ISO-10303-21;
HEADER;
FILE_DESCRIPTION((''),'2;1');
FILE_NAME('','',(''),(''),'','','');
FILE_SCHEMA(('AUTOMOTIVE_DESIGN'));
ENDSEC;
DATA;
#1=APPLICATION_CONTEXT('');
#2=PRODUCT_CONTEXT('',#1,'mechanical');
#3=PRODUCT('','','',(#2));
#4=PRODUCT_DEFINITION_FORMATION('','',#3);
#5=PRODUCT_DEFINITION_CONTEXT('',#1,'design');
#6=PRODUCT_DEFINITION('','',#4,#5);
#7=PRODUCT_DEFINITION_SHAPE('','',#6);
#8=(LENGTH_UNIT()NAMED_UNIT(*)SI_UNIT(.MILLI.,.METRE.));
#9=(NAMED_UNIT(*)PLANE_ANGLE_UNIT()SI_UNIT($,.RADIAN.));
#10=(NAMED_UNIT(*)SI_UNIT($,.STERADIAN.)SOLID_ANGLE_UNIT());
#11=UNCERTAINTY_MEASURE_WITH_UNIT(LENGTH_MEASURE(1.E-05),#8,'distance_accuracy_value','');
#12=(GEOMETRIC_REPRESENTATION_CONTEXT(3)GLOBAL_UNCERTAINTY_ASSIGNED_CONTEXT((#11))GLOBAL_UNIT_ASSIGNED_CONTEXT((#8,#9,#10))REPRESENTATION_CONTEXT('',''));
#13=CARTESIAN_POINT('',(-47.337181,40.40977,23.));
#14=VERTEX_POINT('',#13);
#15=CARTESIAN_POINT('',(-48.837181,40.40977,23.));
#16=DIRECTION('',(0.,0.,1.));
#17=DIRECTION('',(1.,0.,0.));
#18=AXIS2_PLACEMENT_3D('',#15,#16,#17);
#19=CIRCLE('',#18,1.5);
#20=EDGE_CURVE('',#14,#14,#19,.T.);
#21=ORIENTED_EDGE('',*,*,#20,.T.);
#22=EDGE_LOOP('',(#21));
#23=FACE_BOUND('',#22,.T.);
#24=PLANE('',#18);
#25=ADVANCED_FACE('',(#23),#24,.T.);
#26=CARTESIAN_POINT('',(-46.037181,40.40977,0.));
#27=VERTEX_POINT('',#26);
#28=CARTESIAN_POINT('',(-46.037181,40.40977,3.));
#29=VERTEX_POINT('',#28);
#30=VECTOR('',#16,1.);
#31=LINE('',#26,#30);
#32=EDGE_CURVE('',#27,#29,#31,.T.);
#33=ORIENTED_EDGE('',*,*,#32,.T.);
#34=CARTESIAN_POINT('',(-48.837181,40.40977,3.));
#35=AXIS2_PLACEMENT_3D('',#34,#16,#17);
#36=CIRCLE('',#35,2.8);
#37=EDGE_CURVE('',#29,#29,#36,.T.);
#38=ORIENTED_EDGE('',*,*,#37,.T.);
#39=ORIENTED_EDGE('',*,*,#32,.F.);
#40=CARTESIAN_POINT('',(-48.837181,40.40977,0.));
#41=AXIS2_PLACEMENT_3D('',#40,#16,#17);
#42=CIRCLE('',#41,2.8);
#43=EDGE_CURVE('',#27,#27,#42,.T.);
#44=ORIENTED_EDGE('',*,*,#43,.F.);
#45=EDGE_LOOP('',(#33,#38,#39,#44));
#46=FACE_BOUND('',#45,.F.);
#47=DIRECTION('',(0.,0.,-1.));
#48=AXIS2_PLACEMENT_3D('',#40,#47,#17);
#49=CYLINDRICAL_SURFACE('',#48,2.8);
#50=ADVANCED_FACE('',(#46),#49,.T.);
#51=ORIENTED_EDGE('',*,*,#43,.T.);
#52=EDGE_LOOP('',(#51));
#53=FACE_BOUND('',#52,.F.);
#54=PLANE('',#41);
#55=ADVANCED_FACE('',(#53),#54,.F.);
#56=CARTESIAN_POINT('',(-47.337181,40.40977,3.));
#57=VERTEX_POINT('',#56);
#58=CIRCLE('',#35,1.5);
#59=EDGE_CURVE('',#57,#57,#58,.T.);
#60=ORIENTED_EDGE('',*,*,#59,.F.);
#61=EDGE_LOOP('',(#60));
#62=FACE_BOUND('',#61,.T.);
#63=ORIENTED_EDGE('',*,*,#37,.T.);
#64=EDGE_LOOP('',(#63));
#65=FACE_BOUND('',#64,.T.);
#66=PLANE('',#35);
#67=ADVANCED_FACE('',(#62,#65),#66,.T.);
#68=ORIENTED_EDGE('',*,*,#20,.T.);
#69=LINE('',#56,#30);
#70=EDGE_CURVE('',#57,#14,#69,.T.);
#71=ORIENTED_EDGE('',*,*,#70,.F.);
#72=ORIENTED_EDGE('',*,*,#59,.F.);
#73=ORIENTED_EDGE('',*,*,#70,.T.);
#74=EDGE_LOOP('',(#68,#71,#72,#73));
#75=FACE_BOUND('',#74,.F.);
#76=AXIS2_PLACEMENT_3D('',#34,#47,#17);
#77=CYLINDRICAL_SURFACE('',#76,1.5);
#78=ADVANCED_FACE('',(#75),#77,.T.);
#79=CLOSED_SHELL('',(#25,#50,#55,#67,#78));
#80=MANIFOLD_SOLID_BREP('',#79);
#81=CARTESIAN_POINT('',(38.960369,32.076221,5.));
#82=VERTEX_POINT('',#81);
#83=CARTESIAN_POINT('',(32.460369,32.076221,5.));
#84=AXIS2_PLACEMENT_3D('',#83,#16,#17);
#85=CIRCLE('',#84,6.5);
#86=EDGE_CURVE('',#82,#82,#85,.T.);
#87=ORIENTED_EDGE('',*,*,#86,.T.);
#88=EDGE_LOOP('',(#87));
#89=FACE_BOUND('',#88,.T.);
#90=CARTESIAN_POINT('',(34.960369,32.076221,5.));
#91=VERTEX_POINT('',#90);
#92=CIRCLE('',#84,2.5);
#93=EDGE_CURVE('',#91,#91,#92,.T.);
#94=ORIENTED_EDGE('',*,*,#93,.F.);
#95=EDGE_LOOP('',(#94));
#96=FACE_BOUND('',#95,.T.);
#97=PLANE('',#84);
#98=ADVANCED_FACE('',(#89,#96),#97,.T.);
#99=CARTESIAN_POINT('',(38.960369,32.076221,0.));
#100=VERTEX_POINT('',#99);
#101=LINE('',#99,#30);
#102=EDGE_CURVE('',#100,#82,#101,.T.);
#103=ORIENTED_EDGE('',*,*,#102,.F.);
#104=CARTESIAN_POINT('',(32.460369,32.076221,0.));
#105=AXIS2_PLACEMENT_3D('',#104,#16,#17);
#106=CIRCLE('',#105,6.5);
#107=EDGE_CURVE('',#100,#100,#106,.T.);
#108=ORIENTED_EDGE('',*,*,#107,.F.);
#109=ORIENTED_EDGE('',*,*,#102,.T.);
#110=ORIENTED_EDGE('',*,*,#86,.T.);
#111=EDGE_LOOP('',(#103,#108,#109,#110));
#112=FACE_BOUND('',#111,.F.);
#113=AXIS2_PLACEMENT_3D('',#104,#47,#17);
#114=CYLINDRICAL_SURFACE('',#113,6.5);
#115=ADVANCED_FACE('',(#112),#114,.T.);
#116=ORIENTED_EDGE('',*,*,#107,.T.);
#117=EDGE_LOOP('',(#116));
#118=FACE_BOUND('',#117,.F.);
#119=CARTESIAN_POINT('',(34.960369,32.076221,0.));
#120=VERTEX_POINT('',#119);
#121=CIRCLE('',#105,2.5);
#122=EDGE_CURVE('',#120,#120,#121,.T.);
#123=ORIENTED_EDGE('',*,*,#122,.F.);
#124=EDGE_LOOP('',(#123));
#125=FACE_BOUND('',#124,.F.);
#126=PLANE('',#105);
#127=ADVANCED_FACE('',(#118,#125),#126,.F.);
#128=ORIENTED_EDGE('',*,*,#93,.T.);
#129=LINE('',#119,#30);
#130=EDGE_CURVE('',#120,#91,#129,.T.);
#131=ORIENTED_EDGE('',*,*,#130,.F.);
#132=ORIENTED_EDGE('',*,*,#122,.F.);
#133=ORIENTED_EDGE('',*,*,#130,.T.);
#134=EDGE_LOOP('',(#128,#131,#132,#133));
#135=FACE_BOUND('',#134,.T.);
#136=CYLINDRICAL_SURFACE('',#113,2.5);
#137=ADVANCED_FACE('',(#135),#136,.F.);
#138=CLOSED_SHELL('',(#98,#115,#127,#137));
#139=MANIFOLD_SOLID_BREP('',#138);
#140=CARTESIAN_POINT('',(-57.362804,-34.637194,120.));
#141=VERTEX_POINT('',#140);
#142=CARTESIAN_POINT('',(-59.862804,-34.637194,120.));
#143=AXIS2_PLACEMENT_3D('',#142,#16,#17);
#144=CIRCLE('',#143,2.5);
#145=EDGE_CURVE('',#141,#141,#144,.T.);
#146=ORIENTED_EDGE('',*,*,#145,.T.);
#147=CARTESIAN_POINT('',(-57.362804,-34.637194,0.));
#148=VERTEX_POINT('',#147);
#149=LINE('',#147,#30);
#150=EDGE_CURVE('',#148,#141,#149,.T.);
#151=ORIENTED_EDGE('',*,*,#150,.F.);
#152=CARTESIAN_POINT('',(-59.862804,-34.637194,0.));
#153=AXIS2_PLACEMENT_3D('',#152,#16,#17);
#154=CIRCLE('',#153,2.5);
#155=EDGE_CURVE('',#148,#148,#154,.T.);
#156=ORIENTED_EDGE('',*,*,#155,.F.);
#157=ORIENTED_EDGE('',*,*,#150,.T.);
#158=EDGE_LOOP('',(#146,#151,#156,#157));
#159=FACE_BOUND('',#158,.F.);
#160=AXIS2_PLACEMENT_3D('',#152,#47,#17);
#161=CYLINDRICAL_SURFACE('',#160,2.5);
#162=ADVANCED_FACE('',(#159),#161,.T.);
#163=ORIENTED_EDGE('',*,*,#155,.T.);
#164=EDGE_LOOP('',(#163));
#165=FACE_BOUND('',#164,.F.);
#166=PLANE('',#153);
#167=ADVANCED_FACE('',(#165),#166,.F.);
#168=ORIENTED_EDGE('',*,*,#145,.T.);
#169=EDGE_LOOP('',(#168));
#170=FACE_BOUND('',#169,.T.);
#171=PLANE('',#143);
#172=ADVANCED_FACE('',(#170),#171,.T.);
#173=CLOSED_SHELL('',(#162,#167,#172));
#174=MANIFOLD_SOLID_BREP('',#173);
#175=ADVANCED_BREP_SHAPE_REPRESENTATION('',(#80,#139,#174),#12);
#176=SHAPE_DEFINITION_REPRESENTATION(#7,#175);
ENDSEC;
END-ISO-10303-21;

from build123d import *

# Parameters (mm, degrees)
F0_R     = 2.8
F1_DEPTH = 3
F2_R     = 1.5
F3_DEPTH = 20
F4_R     = 6.5
F4_R_2   = 2.5
F5_DEPTH = 5
F6_R     = 2.5
F7_DEPTH = 120


with BuildPart() as f1:
    # F0 (on Top) → F1 (new body)
    with BuildSketch(Plane.XY):
        with Locations((-48.837181, 40.40977)):
            Circle(F0_R)
    extrude(amount=F1_DEPTH)

    # F2 (on face) → F3 (join)
    with BuildSketch(Plane.XY.offset(3)):
        with Locations((-48.837181, 40.40977)):
            Circle(F2_R)
    extrude(amount=F3_DEPTH)


with BuildPart() as f5:
    # F4 (on Top) → F5 (new body)
    with BuildSketch(Plane.XY):
        with Locations((32.460369, 32.076221)):
            Circle(F4_R)
        with Locations((32.460369, 32.076221)):
            Circle(F4_R_2, mode=Mode.SUBTRACT)
    extrude(amount=F5_DEPTH)


with BuildPart() as f7:
    # F6 (on Top) → F7 (new body)
    with BuildSketch(Plane.XY):
        with Locations((-59.862804, -34.637194)):
            Circle(F6_R)
    extrude(amount=F7_DEPTH)


solid = Compound([f1.part, f5.part, f7.part])
